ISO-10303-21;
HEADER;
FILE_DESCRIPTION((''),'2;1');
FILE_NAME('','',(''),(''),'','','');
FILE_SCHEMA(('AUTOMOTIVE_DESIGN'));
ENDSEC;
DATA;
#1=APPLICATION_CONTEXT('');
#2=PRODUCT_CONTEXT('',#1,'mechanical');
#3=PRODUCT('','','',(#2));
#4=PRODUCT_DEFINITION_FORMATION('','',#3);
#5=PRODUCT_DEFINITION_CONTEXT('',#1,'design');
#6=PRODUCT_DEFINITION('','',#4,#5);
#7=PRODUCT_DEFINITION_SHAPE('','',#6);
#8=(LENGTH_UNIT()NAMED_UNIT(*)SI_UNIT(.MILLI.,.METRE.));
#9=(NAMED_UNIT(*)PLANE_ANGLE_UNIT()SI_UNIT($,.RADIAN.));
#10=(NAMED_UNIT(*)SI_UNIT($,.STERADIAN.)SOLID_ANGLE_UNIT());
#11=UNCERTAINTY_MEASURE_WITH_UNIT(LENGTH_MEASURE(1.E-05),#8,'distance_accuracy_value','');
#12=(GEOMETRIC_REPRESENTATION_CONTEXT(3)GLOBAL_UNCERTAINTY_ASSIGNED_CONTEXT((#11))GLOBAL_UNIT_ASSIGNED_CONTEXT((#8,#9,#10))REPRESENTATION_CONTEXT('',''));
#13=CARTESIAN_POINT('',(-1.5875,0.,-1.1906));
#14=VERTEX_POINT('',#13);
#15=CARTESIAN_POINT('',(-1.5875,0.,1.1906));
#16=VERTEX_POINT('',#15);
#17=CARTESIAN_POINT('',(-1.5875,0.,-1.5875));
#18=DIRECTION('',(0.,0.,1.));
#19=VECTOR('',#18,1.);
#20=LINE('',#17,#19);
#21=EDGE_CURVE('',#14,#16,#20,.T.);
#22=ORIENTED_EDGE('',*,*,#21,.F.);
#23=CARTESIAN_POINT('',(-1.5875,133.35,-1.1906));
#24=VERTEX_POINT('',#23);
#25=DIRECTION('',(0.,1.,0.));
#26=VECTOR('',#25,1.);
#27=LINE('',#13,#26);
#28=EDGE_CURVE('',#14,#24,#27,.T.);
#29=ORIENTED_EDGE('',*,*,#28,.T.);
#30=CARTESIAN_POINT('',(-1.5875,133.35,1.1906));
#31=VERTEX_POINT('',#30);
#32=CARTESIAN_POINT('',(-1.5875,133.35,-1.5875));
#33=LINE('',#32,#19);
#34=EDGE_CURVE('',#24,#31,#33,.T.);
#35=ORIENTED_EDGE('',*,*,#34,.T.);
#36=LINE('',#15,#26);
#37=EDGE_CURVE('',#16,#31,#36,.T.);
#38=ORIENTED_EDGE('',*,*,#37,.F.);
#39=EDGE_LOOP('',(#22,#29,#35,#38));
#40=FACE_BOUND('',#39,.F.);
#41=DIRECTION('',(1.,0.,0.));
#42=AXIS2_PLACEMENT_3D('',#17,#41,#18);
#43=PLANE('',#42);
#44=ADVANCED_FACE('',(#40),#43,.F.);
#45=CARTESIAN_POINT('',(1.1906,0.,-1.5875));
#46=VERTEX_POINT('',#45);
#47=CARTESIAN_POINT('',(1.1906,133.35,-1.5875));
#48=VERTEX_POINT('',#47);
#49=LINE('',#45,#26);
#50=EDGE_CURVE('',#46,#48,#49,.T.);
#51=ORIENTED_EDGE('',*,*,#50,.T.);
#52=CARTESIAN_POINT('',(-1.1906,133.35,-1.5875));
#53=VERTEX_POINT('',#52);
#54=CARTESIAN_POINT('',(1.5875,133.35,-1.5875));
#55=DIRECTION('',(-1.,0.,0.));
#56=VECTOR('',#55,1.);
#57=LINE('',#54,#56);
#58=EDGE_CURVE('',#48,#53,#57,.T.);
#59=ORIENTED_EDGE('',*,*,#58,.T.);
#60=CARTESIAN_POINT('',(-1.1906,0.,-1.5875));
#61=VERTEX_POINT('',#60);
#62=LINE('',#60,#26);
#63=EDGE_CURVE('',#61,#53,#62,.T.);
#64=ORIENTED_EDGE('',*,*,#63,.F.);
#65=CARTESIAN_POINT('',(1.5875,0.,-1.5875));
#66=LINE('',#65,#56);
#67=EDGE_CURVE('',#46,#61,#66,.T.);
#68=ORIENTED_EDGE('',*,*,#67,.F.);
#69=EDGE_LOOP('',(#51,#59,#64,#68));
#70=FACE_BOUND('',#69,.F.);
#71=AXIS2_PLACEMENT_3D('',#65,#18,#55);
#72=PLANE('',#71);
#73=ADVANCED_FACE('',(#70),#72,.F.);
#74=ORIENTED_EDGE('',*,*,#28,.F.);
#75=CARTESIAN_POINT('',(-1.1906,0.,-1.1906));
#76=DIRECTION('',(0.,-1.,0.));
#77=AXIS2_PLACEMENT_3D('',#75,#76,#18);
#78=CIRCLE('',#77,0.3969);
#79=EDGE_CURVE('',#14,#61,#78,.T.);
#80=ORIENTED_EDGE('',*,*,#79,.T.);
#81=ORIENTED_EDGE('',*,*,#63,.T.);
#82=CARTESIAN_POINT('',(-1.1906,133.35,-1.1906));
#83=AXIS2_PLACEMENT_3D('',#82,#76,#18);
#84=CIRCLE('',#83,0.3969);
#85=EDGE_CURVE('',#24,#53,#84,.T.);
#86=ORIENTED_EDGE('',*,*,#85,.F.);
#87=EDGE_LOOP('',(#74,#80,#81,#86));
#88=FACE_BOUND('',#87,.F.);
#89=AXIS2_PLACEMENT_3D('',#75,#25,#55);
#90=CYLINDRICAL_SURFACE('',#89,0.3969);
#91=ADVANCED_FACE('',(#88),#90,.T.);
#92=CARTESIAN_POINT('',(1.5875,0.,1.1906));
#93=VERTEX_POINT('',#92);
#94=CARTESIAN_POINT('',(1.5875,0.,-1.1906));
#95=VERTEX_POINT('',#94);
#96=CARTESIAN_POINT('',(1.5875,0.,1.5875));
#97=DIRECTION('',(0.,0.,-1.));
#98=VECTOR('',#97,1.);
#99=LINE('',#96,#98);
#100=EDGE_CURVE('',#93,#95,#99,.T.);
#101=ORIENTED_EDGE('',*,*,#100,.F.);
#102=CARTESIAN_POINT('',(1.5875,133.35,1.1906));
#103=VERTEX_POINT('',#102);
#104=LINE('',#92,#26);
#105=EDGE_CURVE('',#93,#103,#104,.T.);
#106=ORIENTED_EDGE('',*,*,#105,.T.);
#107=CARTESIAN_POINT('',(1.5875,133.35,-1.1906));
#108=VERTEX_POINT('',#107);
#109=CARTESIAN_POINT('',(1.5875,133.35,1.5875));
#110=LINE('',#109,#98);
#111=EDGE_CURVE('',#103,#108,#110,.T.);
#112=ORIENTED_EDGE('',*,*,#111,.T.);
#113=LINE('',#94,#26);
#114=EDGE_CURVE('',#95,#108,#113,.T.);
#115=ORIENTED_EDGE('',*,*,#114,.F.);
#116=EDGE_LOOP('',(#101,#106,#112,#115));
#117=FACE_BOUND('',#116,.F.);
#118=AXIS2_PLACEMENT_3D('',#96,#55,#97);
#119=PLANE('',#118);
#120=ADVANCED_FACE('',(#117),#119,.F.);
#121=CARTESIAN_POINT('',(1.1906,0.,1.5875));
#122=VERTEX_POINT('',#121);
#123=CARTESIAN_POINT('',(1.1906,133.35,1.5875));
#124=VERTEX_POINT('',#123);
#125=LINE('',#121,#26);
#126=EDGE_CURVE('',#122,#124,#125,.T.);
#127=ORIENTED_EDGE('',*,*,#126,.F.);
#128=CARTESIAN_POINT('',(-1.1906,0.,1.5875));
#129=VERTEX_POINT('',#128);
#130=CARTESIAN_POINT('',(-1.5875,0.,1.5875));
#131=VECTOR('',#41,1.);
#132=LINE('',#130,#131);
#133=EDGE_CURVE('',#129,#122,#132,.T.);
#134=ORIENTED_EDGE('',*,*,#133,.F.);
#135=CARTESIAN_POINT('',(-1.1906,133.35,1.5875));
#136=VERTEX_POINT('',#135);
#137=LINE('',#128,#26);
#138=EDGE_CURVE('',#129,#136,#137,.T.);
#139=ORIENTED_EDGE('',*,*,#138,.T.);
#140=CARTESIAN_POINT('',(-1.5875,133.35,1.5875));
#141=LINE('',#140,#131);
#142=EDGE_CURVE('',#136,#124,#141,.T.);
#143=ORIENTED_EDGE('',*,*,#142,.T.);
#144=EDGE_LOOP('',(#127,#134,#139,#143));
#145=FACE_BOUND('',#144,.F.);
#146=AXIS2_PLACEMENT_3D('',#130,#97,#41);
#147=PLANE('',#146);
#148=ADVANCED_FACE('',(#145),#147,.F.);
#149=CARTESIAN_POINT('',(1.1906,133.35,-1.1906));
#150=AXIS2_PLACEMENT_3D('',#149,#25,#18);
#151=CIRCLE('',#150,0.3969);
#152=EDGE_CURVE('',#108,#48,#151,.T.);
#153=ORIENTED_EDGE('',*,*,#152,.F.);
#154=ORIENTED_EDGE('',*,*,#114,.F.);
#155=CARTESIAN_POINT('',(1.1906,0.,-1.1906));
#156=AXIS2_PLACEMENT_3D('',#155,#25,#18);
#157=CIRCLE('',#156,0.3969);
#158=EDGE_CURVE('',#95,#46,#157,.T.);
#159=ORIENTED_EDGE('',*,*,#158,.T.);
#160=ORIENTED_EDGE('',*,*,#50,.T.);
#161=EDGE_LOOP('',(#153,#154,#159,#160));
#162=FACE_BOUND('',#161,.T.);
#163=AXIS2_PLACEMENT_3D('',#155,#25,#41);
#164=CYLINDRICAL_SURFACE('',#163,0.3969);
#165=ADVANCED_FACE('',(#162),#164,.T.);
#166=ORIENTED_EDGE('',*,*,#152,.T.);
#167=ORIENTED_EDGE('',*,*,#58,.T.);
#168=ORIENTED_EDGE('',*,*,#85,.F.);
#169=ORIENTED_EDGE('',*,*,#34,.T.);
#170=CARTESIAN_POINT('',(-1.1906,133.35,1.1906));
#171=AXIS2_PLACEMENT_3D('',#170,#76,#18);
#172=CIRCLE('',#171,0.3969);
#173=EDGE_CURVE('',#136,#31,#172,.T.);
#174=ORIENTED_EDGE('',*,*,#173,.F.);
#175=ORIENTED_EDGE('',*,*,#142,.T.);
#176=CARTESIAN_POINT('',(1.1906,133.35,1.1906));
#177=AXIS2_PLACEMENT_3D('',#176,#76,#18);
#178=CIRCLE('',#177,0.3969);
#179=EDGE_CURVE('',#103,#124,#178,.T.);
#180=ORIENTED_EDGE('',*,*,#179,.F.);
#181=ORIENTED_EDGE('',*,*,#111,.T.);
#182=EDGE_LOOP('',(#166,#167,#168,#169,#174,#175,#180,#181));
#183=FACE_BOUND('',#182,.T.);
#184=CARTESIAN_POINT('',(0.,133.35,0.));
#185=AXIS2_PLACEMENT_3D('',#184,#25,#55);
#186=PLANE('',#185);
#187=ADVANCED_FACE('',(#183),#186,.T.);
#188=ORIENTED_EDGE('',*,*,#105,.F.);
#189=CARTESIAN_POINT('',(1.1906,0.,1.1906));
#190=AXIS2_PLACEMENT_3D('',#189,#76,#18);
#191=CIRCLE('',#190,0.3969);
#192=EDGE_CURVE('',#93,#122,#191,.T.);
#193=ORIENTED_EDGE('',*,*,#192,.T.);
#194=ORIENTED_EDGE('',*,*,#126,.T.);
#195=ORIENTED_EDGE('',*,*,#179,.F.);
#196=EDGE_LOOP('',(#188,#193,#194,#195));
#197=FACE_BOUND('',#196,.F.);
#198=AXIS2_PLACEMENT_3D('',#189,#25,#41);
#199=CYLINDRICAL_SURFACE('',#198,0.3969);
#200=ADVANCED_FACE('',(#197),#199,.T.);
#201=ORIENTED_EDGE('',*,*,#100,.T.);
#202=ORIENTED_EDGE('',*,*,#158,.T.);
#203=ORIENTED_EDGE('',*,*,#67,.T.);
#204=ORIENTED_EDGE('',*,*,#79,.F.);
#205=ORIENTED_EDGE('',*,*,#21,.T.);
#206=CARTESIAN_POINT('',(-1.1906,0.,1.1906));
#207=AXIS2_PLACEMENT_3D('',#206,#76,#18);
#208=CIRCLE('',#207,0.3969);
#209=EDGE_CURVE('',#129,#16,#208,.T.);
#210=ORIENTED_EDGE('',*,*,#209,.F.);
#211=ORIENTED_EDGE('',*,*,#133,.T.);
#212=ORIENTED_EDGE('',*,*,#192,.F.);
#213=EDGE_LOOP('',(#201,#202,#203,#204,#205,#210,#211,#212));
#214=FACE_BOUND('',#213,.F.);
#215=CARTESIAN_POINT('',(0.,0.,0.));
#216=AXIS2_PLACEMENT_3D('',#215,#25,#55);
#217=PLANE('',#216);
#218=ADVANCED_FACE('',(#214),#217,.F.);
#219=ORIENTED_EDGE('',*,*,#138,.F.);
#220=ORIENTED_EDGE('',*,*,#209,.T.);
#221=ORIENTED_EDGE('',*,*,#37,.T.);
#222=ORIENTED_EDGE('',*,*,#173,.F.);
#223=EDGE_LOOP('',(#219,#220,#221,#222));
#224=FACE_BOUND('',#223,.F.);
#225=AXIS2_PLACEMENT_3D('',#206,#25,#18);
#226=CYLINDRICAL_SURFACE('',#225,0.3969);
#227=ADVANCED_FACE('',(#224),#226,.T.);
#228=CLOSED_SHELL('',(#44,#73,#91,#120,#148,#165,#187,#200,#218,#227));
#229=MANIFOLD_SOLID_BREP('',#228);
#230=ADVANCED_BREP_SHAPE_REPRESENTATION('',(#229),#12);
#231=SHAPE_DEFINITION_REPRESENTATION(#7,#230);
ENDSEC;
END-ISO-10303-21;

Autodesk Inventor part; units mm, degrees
ref_plane "YZ Plane" through (0, 0, 0) normal (1, 0, 0) x (0, 1, 0)
ref_plane "XZ Plane" through (0, 0, 0) normal (0, 1, 0) x (-1, 0, 0)
ref_plane "XY Plane" through (0, 0, 0) normal (0, 0, 1) x (1, 0, 0)
sketch "Sketch1" plane through (0, 0, 0) normal (0, 1, 0) x (-1, 0, 0)
  line L0 (-1.5875, -1.5875) -> (1.5875, -1.5875)
  line L1 (1.5875, -1.5875) -> (1.5875, 1.5875)
  line L2 (1.5875, 1.5875) -> (-1.5875, 1.5875)
  line L3 (-1.5875, 1.5875) -> (-1.5875, -1.5875)
  line L4 (-1.5875, -1.5875) -> (1.5875, 1.5875) construction
  line L5 (1.5875, -1.5875) -> (-1.5875, 1.5875) construction
  point P0 (0, 0)
  dimension "d0" = 3.175
  dimension "d1" = 3.175
extrude "Extrusion1" add sketch "Sketch1" along normal blind 133.35
fillet "Fillet1" radius 0.3969 4 edges at (1.5875, 66.675, -1.5875) (1.5875, 66.675, 1.5875) (-1.5875, 66.675, -1.5875) (-1.5875, 66.675, 1.5875)
properties part number "5inch shaft" material "Stainless Steel"
